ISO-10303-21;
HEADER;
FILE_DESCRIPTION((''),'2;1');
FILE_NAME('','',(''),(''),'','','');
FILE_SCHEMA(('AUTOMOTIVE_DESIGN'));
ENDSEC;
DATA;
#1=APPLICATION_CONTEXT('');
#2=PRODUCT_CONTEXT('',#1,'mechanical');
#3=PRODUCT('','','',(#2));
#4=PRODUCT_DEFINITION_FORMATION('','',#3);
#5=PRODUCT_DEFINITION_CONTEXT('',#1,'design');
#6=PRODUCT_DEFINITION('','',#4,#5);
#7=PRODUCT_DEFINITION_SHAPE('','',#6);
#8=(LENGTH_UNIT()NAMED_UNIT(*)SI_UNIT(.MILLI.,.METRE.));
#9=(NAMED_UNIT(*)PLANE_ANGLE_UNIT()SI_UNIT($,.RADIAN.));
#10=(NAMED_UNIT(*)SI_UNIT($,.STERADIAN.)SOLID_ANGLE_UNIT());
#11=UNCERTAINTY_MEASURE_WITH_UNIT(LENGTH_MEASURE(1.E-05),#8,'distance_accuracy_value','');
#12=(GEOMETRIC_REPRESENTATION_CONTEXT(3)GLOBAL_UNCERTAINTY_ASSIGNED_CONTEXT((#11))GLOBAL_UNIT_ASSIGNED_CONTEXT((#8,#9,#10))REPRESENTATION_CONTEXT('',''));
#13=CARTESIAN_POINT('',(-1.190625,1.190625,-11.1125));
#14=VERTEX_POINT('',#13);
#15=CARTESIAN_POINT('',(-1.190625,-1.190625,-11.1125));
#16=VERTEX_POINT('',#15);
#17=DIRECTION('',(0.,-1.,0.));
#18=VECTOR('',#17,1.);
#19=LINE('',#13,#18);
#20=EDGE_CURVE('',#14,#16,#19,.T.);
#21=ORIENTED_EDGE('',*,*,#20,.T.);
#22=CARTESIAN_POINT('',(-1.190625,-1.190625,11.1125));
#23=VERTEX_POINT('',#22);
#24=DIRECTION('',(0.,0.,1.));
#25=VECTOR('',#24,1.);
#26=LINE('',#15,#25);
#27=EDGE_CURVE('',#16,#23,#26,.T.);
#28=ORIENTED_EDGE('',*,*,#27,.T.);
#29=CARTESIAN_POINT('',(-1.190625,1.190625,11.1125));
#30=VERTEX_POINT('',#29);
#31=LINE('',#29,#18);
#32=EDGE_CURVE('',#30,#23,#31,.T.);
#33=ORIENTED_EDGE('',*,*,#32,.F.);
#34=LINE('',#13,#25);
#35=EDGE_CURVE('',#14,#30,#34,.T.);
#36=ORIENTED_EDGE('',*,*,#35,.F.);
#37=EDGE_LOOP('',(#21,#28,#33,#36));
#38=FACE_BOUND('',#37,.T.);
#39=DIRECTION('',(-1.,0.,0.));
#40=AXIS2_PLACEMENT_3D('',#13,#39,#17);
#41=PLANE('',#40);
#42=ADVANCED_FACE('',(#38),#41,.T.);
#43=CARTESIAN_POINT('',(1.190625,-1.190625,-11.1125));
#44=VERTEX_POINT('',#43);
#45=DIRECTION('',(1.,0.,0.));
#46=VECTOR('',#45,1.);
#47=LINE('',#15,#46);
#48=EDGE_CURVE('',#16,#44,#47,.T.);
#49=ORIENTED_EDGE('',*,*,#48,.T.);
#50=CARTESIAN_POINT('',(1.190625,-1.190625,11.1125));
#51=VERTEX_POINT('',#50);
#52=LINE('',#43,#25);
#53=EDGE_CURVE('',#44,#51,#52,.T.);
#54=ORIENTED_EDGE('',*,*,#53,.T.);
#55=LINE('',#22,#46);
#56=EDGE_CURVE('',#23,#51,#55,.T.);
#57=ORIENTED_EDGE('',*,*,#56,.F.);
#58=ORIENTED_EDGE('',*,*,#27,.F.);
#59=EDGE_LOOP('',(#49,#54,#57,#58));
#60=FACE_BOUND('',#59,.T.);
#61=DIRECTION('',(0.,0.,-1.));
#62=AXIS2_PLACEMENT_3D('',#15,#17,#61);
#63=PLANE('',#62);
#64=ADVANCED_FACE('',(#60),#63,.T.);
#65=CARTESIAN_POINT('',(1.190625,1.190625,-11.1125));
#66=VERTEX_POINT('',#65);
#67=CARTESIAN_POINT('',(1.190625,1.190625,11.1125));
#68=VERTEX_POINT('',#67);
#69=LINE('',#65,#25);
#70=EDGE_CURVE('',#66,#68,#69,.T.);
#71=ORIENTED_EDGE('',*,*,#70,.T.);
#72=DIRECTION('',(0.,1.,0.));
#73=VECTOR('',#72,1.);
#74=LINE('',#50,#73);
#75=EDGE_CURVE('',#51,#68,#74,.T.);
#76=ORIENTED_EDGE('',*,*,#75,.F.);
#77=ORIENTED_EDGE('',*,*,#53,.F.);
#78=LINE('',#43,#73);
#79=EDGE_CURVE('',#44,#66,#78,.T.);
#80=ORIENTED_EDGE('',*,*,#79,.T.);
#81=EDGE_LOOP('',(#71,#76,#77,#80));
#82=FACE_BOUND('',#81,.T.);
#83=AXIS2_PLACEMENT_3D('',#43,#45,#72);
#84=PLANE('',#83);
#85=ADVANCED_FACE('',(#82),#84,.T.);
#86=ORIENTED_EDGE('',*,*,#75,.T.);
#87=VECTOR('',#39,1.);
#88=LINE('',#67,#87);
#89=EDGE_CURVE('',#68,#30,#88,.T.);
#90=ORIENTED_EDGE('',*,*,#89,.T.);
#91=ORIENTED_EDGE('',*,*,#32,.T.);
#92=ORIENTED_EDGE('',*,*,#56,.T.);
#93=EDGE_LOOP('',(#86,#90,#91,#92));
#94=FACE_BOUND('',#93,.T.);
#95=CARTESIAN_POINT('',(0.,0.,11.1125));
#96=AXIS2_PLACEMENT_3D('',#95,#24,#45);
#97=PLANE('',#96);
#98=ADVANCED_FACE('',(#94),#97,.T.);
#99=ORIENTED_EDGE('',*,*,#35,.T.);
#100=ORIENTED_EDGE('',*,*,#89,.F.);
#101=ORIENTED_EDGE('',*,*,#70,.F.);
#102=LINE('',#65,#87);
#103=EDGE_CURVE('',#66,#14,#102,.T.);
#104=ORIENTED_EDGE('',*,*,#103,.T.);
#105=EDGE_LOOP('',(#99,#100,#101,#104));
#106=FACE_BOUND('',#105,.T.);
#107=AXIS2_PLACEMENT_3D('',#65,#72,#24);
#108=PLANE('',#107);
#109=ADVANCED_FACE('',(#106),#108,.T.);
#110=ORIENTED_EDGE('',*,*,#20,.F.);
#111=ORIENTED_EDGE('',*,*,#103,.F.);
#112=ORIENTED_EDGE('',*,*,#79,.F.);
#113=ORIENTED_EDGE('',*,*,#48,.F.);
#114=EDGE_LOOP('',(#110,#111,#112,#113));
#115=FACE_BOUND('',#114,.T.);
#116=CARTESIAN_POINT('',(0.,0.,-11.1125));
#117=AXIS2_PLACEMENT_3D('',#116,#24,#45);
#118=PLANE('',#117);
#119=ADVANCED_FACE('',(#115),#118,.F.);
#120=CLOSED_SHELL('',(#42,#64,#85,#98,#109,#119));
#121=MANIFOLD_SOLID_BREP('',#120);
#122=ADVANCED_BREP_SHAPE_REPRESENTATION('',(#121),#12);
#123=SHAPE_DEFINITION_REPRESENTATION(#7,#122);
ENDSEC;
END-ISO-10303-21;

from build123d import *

# Parameters (mm, degrees)
BOSS_EXTRUDE1_DEPTH      = 11.1125
BOSS_EXTRUDE1_DEPTH_BACK = 11.1125
SKETCH3_W                = 2.38125
SKETCH3_H                = 2.38125


with BuildPart() as part:
    # Sketch3 → Boss-Extrude1 (new, two sides: drawn at the far end of the back side and taken through both)
    with BuildSketch(Plane.XY.offset(-BOSS_EXTRUDE1_DEPTH_BACK)):
        Rectangle(SKETCH3_W, SKETCH3_H)
    extrude(amount=BOSS_EXTRUDE1_DEPTH + BOSS_EXTRUDE1_DEPTH_BACK)


solid = part.part
